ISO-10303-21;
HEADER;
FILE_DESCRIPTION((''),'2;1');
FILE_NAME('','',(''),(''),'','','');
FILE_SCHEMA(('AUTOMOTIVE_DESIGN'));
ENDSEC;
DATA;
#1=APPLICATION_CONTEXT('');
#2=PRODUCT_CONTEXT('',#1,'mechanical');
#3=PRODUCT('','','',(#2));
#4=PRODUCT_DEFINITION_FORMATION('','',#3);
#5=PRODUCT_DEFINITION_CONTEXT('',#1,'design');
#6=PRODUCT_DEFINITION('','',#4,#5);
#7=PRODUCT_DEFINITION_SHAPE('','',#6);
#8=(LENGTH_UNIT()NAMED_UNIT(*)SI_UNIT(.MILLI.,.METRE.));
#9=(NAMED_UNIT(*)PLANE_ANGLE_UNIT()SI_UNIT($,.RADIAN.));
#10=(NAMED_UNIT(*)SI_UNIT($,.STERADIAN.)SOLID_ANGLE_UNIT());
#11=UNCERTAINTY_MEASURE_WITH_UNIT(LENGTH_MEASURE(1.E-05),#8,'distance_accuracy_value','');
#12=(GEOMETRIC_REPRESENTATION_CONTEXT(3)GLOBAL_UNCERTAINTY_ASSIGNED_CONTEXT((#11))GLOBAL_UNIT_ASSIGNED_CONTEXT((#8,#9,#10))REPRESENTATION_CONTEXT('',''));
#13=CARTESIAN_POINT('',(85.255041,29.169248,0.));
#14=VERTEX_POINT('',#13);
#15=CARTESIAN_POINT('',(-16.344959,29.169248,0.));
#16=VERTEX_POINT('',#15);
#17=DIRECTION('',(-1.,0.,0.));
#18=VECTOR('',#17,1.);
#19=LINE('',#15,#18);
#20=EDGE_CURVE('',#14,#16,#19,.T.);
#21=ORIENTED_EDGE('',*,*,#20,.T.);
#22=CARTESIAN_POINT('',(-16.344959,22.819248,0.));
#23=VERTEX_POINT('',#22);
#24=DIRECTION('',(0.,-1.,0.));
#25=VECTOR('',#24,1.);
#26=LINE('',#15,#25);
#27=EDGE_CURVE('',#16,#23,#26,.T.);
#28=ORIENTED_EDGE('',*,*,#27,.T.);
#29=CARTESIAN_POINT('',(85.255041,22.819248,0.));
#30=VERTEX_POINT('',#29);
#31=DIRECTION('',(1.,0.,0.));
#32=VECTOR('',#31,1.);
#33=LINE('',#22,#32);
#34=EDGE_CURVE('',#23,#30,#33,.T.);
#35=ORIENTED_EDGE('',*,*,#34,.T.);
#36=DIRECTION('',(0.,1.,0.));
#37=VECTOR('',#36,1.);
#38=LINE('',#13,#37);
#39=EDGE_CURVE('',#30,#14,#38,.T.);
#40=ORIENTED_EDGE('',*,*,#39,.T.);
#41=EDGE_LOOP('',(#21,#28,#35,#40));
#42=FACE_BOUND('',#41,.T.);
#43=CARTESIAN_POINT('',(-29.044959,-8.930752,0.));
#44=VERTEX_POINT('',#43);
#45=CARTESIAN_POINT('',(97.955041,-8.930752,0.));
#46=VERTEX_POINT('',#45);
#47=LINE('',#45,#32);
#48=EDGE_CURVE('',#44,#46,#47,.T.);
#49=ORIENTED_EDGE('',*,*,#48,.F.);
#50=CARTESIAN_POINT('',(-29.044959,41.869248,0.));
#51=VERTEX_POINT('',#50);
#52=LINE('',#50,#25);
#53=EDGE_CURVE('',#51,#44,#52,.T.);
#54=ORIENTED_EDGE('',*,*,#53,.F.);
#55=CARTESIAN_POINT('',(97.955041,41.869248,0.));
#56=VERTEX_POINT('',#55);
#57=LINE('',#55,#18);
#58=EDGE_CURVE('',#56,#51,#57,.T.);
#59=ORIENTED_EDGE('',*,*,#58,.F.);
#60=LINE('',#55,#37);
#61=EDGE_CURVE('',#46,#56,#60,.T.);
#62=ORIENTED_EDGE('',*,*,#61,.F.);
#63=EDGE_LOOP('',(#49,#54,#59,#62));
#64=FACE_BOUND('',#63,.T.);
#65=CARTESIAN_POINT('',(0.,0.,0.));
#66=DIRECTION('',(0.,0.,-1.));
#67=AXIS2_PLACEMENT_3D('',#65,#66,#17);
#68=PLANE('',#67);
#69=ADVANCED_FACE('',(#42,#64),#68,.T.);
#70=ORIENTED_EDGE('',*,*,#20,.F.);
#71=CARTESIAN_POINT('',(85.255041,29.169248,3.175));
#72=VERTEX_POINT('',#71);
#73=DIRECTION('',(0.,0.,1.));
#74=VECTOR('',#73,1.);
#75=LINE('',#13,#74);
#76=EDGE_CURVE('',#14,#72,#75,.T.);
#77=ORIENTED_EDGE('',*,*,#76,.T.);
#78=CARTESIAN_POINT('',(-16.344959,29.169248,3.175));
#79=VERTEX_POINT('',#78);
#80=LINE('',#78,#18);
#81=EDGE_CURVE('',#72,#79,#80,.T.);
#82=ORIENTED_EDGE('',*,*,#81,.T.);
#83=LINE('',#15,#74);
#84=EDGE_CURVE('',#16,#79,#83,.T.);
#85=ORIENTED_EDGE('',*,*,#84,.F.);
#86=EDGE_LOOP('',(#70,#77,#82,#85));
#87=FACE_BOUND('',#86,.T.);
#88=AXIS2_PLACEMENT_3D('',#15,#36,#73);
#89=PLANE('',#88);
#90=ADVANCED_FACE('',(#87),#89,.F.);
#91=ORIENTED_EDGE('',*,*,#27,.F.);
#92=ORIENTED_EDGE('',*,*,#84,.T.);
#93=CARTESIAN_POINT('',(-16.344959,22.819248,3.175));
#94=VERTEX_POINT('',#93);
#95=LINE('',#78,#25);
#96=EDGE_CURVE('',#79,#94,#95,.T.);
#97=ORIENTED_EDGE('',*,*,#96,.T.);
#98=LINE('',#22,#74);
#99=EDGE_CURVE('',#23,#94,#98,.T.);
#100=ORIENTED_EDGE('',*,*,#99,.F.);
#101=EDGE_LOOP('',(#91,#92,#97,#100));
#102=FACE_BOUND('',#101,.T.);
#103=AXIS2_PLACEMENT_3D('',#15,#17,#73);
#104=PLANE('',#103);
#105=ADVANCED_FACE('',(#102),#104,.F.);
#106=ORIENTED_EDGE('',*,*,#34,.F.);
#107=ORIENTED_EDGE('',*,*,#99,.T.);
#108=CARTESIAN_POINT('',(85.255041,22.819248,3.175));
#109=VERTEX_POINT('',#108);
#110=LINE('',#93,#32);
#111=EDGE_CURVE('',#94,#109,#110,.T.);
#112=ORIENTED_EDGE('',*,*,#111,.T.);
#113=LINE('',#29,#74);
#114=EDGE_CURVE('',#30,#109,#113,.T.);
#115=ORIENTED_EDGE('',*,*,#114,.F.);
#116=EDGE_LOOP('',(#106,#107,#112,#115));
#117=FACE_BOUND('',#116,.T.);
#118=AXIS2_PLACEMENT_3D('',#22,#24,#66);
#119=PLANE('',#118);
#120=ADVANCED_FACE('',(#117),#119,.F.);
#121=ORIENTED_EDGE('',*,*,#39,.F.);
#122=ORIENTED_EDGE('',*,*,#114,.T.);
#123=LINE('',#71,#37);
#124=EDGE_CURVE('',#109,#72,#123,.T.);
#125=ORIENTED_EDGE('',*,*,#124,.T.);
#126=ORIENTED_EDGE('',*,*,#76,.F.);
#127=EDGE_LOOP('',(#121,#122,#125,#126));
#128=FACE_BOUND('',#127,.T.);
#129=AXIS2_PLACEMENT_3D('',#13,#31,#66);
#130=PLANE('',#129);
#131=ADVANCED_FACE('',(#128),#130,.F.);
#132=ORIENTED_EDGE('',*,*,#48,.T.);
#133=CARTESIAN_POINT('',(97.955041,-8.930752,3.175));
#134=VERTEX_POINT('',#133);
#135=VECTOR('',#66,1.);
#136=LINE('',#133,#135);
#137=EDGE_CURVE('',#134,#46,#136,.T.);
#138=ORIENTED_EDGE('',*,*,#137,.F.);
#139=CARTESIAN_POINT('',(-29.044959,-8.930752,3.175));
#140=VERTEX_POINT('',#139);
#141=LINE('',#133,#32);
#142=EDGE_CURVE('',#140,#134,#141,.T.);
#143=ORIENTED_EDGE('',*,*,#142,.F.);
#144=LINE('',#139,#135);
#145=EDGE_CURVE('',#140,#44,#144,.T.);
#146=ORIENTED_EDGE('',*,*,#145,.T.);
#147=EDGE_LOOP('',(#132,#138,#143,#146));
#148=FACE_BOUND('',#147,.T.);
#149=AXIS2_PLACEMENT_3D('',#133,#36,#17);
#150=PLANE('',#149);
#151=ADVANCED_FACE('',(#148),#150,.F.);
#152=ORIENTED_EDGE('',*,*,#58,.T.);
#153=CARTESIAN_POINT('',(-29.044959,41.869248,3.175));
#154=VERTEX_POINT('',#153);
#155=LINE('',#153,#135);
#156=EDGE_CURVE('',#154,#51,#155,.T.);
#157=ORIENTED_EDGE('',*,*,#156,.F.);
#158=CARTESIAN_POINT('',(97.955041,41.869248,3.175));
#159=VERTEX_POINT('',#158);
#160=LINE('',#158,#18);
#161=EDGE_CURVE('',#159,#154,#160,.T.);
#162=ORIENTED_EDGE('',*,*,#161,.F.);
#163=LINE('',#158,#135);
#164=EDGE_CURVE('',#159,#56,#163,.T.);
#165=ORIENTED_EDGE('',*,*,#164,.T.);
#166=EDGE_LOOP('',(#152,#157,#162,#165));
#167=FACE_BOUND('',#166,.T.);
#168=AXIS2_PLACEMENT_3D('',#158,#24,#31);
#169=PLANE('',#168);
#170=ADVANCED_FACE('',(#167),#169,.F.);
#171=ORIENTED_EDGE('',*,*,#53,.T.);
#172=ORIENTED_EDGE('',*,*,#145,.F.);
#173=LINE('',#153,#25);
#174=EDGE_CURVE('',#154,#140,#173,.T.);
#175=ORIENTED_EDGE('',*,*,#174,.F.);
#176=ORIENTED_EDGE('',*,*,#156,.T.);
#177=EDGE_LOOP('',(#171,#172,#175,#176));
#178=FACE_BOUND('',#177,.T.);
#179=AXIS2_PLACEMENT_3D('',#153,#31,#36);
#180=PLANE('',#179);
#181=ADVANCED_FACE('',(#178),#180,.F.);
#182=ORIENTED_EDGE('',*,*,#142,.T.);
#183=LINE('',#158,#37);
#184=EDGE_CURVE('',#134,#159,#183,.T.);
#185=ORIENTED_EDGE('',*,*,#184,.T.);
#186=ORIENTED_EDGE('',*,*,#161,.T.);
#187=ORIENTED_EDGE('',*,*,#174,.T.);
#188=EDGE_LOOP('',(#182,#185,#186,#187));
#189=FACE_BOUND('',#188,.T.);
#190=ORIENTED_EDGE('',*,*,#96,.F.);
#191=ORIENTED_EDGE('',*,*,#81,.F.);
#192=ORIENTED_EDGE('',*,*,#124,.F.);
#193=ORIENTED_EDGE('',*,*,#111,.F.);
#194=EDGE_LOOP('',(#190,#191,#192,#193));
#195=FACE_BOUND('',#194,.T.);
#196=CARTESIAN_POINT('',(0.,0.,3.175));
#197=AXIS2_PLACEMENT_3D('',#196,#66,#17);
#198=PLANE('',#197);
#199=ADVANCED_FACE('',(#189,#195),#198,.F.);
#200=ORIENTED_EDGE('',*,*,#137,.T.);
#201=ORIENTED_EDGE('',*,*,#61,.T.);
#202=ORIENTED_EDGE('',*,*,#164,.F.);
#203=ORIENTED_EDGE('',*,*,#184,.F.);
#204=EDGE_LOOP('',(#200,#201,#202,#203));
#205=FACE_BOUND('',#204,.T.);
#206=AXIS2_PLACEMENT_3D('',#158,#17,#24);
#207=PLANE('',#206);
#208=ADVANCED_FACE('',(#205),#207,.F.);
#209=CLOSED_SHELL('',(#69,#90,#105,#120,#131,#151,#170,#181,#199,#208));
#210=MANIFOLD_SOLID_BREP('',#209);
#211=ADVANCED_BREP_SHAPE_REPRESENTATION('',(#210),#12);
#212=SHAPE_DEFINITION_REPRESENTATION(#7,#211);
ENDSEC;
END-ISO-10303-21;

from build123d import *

# Parameters (mm, degrees)
SKETCH1_W           = 127
SKETCH1_H           = 50.8
BOSS_EXTRUDE1_DEPTH = 3.175
SKETCH2_W           = 101.6
SKETCH2_H           = 6.35
CUT_EXTRUDE1_DEPTH  = 3.175


with BuildPart() as part:
    # Sketch1 → Boss-Extrude1 (new body)
    with BuildSketch(Plane.XY):
        with Locations((34.455040737, 16.469248393)):
            Rectangle(SKETCH1_W, SKETCH1_H)
    extrude(amount=BOSS_EXTRUDE1_DEPTH)

    # Sketch2 → Cut-Extrude1 (cut)
    with BuildSketch(Plane.XY.offset(3.175)):
        with Locations((34.455040737, 25.994248393)):
            Rectangle(SKETCH2_W, SKETCH2_H)
    extrude(amount=-CUT_EXTRUDE1_DEPTH, mode=Mode.SUBTRACT)


solid = part.part
